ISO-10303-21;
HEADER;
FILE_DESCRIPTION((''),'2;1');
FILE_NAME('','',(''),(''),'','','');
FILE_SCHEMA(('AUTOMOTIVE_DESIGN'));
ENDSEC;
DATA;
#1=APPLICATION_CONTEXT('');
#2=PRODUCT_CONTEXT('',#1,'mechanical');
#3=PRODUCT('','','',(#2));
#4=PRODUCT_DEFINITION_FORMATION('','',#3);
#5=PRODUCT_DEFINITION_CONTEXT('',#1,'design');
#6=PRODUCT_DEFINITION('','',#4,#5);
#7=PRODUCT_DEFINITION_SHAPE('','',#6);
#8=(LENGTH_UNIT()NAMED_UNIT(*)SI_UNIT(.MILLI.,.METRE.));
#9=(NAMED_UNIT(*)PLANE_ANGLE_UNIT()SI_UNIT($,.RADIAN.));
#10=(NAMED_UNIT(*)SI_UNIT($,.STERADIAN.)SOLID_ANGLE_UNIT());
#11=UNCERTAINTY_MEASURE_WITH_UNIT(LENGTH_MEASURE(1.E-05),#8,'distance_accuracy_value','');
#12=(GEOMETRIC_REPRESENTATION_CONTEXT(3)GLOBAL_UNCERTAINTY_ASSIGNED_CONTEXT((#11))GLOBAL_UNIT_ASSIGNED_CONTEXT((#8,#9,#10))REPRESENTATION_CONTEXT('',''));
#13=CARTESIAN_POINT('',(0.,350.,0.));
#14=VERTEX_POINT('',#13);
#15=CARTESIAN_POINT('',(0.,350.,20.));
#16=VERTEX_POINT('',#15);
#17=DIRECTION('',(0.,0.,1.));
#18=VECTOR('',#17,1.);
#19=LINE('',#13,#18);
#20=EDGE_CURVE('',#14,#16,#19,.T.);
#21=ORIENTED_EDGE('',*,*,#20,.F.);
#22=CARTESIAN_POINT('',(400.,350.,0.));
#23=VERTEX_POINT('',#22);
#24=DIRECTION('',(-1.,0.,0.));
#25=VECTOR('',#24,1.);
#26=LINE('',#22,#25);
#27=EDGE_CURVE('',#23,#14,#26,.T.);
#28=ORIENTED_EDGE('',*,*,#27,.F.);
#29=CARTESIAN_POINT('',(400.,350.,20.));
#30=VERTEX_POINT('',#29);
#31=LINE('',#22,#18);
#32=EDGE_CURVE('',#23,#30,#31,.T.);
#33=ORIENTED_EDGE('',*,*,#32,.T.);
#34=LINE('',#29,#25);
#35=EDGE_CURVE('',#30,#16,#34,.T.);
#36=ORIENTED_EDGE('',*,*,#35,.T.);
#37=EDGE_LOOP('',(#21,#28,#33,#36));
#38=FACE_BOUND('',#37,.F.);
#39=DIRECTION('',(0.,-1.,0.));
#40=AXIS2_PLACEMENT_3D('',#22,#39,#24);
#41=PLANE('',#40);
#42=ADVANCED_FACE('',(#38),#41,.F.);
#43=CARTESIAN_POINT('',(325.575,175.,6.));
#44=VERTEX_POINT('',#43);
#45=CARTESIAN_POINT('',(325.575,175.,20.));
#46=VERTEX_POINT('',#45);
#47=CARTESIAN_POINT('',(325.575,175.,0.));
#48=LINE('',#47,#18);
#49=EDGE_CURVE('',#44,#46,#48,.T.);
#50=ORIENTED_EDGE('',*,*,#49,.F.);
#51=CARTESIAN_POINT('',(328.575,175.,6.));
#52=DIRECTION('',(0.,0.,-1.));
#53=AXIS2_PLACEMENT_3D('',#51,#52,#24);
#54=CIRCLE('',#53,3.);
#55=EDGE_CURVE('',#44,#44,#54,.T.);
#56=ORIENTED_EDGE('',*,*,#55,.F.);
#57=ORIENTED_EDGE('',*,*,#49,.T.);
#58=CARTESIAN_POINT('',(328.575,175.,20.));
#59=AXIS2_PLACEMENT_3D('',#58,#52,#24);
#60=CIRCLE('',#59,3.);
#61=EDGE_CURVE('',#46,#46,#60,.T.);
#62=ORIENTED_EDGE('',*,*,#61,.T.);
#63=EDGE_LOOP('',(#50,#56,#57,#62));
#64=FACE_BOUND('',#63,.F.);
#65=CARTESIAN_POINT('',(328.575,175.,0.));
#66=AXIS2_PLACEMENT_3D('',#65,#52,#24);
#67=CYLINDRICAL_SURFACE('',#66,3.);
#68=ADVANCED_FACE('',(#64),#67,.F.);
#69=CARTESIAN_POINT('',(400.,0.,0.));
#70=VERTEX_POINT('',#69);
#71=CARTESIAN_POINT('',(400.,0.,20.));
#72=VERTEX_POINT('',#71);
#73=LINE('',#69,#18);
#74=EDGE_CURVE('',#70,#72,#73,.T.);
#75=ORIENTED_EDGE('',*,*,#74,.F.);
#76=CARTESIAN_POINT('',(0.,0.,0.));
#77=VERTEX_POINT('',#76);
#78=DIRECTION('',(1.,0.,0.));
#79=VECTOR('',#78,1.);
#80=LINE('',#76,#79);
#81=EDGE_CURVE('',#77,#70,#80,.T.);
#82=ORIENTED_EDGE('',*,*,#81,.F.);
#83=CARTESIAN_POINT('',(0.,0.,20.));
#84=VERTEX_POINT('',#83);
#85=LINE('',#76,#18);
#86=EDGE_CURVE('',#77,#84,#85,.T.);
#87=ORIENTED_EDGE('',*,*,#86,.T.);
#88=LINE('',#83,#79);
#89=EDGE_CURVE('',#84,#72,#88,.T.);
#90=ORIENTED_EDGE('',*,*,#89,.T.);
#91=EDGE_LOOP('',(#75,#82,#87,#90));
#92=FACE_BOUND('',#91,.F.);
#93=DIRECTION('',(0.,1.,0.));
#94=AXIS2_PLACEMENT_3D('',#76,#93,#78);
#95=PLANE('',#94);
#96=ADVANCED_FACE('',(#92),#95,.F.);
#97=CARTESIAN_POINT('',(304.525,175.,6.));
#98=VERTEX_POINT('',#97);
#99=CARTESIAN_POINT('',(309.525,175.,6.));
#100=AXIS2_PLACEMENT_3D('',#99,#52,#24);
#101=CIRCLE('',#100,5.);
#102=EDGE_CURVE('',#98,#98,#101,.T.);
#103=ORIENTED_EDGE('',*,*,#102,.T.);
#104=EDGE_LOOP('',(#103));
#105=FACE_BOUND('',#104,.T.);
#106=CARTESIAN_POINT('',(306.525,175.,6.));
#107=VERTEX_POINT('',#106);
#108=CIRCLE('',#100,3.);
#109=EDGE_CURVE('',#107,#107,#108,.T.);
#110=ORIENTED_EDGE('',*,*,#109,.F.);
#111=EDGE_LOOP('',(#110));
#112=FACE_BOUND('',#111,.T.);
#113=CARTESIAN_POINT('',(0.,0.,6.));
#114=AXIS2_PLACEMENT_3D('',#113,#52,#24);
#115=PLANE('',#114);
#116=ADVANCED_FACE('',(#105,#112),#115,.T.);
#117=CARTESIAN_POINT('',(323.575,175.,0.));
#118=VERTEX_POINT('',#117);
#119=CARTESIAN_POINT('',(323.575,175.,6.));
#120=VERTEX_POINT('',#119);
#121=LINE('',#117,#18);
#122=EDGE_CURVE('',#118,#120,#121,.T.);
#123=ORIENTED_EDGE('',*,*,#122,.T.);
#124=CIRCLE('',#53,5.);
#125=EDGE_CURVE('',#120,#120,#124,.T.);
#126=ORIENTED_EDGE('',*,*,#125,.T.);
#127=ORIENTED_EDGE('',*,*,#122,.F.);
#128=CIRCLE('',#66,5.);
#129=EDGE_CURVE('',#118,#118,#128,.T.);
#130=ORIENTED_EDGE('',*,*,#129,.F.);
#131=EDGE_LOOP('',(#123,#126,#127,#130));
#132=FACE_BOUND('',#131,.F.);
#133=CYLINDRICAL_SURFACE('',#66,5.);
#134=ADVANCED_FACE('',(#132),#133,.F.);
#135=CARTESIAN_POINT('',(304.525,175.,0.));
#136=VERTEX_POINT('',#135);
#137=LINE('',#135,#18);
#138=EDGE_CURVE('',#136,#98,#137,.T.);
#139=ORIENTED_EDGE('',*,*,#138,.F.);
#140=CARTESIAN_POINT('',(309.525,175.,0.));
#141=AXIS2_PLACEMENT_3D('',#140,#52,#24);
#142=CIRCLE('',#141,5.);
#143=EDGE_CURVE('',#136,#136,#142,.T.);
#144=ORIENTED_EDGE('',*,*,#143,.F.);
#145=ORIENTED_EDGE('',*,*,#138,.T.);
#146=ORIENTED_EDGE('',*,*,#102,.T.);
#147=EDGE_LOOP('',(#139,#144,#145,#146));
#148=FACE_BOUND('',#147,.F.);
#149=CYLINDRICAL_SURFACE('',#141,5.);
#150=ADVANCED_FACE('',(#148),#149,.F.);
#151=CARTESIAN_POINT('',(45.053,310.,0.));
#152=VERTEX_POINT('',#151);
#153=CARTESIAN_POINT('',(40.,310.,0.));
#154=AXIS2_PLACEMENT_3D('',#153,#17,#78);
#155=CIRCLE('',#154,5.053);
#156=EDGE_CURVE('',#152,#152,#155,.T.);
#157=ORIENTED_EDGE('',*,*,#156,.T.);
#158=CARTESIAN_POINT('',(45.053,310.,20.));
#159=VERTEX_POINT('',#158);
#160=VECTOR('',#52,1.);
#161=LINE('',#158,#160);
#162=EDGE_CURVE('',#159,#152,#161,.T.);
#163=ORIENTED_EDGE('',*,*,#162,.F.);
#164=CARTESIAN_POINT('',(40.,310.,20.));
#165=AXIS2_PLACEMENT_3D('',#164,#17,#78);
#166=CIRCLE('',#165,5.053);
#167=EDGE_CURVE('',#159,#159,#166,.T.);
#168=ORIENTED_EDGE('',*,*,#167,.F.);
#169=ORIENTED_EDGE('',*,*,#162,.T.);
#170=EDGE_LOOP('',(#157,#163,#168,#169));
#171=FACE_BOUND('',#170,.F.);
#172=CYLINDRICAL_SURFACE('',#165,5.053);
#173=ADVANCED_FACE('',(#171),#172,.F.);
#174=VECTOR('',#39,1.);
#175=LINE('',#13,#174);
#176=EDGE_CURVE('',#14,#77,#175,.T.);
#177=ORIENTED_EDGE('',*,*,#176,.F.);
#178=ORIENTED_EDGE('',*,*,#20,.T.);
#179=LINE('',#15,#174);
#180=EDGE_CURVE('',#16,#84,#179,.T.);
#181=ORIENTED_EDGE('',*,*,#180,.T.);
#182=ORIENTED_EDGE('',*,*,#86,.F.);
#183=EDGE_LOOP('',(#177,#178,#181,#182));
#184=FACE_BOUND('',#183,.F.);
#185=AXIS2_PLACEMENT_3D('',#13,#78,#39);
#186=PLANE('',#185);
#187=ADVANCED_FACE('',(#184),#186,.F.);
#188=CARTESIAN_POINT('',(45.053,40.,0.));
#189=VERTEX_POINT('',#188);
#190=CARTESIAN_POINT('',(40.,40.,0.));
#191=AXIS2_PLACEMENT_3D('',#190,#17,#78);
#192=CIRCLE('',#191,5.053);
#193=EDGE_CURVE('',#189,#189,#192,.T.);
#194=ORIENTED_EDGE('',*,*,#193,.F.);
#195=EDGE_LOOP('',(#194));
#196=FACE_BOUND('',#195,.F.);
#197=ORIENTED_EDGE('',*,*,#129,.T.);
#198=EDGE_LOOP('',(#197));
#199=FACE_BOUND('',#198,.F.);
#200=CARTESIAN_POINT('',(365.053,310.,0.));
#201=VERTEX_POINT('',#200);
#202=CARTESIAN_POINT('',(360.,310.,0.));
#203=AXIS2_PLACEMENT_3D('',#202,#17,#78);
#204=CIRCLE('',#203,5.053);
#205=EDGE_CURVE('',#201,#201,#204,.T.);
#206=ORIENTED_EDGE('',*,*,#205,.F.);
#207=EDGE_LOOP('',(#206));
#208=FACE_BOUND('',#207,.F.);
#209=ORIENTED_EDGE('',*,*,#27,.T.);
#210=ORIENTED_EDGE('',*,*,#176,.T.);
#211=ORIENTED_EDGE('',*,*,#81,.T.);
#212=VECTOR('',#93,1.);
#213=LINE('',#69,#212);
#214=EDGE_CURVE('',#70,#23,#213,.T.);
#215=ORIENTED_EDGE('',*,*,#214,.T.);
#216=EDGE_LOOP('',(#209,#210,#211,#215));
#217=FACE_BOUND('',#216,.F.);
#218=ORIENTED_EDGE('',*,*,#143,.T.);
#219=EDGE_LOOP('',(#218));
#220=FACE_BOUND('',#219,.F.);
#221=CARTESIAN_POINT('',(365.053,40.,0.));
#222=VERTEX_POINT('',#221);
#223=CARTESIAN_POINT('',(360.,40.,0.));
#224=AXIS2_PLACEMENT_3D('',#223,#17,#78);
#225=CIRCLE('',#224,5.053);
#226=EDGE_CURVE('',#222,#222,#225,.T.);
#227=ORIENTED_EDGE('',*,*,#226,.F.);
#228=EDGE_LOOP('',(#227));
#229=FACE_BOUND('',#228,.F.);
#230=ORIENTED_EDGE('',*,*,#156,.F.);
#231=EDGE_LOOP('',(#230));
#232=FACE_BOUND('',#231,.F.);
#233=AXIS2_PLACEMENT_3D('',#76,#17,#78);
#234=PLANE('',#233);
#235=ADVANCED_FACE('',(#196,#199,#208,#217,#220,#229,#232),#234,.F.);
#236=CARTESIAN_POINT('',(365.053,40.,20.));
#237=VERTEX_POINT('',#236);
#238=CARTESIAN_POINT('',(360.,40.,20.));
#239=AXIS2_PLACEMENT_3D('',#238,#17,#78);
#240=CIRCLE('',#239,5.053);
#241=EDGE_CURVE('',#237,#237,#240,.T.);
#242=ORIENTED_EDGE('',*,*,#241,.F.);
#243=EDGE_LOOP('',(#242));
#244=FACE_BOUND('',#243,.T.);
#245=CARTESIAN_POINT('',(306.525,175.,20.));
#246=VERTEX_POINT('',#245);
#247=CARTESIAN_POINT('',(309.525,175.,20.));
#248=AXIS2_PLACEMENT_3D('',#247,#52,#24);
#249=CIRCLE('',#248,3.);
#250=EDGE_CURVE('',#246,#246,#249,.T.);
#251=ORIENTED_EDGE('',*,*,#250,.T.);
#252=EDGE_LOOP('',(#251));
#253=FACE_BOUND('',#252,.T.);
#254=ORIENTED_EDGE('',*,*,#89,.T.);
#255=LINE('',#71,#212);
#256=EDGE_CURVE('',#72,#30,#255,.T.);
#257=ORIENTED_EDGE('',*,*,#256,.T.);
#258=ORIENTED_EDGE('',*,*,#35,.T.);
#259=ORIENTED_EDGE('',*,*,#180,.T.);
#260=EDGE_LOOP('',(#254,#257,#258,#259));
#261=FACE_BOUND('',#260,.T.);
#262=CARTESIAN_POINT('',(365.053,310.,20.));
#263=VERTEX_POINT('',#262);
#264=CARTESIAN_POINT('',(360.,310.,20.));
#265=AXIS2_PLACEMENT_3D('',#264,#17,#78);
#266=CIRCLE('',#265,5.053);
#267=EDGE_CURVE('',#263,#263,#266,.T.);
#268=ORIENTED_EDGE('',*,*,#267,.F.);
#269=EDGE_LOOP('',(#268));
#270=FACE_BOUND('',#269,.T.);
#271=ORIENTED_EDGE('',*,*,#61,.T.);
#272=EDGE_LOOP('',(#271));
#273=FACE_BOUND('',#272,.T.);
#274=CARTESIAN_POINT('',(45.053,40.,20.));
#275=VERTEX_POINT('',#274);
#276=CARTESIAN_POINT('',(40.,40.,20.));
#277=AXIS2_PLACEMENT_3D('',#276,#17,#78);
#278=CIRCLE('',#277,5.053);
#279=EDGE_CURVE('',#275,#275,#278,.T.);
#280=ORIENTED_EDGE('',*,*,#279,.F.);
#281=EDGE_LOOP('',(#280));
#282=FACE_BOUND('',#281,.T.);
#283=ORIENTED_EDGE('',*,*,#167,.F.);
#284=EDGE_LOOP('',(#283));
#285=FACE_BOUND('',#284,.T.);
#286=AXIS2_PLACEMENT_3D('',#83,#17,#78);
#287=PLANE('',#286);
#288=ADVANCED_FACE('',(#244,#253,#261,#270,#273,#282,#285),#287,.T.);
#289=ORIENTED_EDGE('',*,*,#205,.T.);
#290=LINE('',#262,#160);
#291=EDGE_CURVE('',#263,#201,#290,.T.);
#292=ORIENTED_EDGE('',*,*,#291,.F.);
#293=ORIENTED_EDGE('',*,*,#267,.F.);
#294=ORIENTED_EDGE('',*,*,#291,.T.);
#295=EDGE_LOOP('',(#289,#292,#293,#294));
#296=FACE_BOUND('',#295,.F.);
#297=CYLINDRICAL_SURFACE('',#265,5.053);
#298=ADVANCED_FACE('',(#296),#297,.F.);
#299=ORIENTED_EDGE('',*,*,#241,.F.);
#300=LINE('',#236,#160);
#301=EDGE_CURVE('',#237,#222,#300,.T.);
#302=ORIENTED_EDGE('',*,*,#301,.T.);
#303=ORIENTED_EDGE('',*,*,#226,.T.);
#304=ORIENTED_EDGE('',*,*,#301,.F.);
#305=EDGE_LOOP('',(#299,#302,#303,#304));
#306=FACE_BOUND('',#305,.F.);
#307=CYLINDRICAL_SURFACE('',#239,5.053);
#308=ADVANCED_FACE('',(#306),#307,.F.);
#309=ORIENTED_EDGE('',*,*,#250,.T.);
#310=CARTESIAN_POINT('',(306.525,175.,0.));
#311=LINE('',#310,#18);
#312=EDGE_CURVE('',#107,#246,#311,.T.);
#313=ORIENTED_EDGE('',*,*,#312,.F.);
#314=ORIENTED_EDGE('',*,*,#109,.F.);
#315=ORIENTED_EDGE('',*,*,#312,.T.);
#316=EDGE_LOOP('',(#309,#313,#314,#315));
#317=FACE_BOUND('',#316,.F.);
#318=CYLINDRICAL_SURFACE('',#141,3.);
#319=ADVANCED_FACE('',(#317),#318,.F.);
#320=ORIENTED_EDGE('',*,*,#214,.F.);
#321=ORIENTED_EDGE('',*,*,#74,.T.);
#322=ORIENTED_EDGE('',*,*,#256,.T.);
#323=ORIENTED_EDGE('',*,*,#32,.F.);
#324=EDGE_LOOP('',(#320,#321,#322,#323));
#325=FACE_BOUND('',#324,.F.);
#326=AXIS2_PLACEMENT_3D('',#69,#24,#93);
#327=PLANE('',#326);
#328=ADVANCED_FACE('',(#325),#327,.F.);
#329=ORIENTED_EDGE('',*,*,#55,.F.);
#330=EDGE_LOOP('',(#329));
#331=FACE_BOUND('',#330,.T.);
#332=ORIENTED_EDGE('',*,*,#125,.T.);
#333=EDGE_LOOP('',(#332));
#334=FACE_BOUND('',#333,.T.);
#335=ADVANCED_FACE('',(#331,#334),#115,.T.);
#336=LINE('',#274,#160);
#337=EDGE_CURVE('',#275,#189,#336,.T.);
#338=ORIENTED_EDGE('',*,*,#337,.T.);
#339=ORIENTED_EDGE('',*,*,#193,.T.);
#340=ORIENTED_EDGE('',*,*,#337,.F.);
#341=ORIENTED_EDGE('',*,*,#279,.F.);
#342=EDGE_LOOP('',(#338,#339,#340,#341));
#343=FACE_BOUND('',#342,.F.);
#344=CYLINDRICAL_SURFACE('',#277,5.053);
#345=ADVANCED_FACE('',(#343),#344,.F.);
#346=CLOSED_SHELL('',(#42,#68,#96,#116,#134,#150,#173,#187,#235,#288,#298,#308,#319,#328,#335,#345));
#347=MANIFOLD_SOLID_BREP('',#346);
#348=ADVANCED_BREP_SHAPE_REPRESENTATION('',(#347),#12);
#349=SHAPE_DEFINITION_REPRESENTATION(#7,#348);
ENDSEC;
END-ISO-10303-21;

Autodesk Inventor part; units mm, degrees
ref_plane "YZ Plane" through (0, 0, 0) normal (1, 0, 0) x (0, 1, 0)
ref_plane "XZ Plane" through (0, 0, 0) normal (0, 1, 0) x (-1, 0, 0)
ref_plane "XY Plane" through (0, 0, 0) normal (0, 0, 1) x (1, 0, 0)
sketch "Sketch1" plane through (0, 0, 0) normal (0, 0, 1) x (1, 0, 0)
  line L0 (0, 0) -> (400, 0)
  line L1 (400, 0) -> (400, 350)
  line L2 (400, 350) -> (0, 350)
  line L3 (0, 350) -> (0, 0)
  dimension "d0" = 400
  dimension "d1" = 350
extrude "Extrusion1" add sketch "Sketch1" along normal blind 20
sketch "Sketch7" plane through (0, 0, 20) normal (0, 0, 1) x (1, 0, 0)
  circle A0 centre (40, 40) radius 5.053
  line L0 (400, 350) -> (0, 350) construction
  line L1 (400, 0) -> (400, 350) construction
  line L2 (0, 0) -> (400, 0) construction
  line L3 (0, 350) -> (0, 0) construction
  line L4 (200, 350) -> (200, 0) construction
  line L5 (0, 175) -> (400, 175) construction
  circle A1 centre (40, 310) radius 5.053
  circle A2 centre (360, 40) radius 5.053
  circle A3 centre (360, 310) radius 5.053
extrude "Extrusion7" cut sketch "Sketch7" against normal blind 20
sketch "Sketch8" plane through (0, 0, 0) normal (0, 0, -1) x (-1, 0, 0)
  circle A0 centre (-309.525, 175) radius 3
  circle A1 centre (-328.575, 175) radius 3
  point P0 (0, 0)
extrude "Extrusion8" cut sketch "Sketch8" against normal blind 20
sketch "Sketch9" plane through (0, 0, 0) normal (0, 0, -1) x (-1, 0, 0)
  circle A0 centre (-309.525, 175) radius 3 construction
  circle A1 centre (-328.575, 175) radius 3 construction
  circle A2 centre (-309.525, 175) radius 3 projected
  circle A3 centre (-309.525, 175) radius 5
  circle A4 centre (-328.575, 175) radius 3 projected
  circle A5 centre (-328.575, 175) radius 5
  point P0 (0, 0)
  dimension "d24" = 10
  dimension "d25" = 10
extrude "Extrusion9" cut sketch "Sketch9" against normal blind 6
equation "\"d0\" = maxl"
equation "\"d1\" = maxw"
equation "\"d2\" = platft"
equation "\"d20\" = platft"
equation "\"d22\" = platft"
equation "\"d24\" = bhd"
equation "\"d25\" = bhd"
equation "\"d26\" = bhh"
equation "\"dias\" = 8.8"
equation "\"stra1\" = 9.5"
equation "\"diab2\" = 6"
equation "\"stra\" = 25"
equation "\"db1\" = 6"
equation "\"ds1\" = 5.8"
equation "\"ds2\" = 1.6"
equation "\"ang\" = 120deg"
equation "\"db2\" = 3"
equation "\"diab3\" = 7"
equation "\"diab4\" = 3"
equation "\"dias1\" = 13.4375"
equation "\"dias3\" = 2"
equation "\"dias4\" = 4"
equation "\"t1\" = 3"
equation "\"t2\" = 3"
equation "\"t3\" = 6"
equation "\"t4\" = 6"
equation "\"t5\" = 3"
equation "\"diab1\" = 19"
equation "\"afw\" = 0.2"
equation "\"maxw\" = 350"
equation "\"lcsd\" = 19.05"
equation "\"lcwd1\" = 25"
equation "\"lch1\" = 39"
equation "\"lcwd2\" = 34"
equation "\"lcwd3\" = 43"
equation "\"dia1\" = 6"
equation "\"td\" = 18"
equation "\"bhh\" = 6"
equation "\"bhd\" = 10"
equation "\"spacert\" = 2"
equation "\"sw\" = 25"
equation "\"sh\" = 31"
equation "\"platft\" = 20"
equation "\"pvct\" = 5"
equation "\"tankl\" = 379"
equation "\"dia4\" = 11"
equation "\"dia3\" = 8"
equation "\"play\" = 9"
equation "\"holeh\" = 26"
equation "\"surroundt\" = 5"
equation "\"slack\" = 0.5"
equation "\"play2\" = 3"
equation "\"maxl\" = 400"
equation "\"diaoverflow\" = 25"
equation "\"diacucl\" = 32"
equation "\"diawater\" = 25"
equation "\"diaph\" = 32"
equation "\"diaair\" = 32"
equation "\"diasurroundhole\" = 42"
equation "\"diagrate\" = 12"
equation "\"gratespacing\" = 12.02082"
equation "\"sidedist\" = 13.9375"
equation "\"bottomdist\" = 9.6355"
equation "\"diahcl\" = 32"
equation "\"bracketwtop\" = 6"
equation "\"bracketwbottom\" = 6"
equation "\"nett\" = 1"
equation "\"nethole\" = 16"
equation "\"nettop\" = 7"
equation "\"netside\" = 3.5"
equation "\"netholespacing\" = 2"
equation "\"diaetape\" = 32"
properties part number "platform_top" material "PVC-Piping"
